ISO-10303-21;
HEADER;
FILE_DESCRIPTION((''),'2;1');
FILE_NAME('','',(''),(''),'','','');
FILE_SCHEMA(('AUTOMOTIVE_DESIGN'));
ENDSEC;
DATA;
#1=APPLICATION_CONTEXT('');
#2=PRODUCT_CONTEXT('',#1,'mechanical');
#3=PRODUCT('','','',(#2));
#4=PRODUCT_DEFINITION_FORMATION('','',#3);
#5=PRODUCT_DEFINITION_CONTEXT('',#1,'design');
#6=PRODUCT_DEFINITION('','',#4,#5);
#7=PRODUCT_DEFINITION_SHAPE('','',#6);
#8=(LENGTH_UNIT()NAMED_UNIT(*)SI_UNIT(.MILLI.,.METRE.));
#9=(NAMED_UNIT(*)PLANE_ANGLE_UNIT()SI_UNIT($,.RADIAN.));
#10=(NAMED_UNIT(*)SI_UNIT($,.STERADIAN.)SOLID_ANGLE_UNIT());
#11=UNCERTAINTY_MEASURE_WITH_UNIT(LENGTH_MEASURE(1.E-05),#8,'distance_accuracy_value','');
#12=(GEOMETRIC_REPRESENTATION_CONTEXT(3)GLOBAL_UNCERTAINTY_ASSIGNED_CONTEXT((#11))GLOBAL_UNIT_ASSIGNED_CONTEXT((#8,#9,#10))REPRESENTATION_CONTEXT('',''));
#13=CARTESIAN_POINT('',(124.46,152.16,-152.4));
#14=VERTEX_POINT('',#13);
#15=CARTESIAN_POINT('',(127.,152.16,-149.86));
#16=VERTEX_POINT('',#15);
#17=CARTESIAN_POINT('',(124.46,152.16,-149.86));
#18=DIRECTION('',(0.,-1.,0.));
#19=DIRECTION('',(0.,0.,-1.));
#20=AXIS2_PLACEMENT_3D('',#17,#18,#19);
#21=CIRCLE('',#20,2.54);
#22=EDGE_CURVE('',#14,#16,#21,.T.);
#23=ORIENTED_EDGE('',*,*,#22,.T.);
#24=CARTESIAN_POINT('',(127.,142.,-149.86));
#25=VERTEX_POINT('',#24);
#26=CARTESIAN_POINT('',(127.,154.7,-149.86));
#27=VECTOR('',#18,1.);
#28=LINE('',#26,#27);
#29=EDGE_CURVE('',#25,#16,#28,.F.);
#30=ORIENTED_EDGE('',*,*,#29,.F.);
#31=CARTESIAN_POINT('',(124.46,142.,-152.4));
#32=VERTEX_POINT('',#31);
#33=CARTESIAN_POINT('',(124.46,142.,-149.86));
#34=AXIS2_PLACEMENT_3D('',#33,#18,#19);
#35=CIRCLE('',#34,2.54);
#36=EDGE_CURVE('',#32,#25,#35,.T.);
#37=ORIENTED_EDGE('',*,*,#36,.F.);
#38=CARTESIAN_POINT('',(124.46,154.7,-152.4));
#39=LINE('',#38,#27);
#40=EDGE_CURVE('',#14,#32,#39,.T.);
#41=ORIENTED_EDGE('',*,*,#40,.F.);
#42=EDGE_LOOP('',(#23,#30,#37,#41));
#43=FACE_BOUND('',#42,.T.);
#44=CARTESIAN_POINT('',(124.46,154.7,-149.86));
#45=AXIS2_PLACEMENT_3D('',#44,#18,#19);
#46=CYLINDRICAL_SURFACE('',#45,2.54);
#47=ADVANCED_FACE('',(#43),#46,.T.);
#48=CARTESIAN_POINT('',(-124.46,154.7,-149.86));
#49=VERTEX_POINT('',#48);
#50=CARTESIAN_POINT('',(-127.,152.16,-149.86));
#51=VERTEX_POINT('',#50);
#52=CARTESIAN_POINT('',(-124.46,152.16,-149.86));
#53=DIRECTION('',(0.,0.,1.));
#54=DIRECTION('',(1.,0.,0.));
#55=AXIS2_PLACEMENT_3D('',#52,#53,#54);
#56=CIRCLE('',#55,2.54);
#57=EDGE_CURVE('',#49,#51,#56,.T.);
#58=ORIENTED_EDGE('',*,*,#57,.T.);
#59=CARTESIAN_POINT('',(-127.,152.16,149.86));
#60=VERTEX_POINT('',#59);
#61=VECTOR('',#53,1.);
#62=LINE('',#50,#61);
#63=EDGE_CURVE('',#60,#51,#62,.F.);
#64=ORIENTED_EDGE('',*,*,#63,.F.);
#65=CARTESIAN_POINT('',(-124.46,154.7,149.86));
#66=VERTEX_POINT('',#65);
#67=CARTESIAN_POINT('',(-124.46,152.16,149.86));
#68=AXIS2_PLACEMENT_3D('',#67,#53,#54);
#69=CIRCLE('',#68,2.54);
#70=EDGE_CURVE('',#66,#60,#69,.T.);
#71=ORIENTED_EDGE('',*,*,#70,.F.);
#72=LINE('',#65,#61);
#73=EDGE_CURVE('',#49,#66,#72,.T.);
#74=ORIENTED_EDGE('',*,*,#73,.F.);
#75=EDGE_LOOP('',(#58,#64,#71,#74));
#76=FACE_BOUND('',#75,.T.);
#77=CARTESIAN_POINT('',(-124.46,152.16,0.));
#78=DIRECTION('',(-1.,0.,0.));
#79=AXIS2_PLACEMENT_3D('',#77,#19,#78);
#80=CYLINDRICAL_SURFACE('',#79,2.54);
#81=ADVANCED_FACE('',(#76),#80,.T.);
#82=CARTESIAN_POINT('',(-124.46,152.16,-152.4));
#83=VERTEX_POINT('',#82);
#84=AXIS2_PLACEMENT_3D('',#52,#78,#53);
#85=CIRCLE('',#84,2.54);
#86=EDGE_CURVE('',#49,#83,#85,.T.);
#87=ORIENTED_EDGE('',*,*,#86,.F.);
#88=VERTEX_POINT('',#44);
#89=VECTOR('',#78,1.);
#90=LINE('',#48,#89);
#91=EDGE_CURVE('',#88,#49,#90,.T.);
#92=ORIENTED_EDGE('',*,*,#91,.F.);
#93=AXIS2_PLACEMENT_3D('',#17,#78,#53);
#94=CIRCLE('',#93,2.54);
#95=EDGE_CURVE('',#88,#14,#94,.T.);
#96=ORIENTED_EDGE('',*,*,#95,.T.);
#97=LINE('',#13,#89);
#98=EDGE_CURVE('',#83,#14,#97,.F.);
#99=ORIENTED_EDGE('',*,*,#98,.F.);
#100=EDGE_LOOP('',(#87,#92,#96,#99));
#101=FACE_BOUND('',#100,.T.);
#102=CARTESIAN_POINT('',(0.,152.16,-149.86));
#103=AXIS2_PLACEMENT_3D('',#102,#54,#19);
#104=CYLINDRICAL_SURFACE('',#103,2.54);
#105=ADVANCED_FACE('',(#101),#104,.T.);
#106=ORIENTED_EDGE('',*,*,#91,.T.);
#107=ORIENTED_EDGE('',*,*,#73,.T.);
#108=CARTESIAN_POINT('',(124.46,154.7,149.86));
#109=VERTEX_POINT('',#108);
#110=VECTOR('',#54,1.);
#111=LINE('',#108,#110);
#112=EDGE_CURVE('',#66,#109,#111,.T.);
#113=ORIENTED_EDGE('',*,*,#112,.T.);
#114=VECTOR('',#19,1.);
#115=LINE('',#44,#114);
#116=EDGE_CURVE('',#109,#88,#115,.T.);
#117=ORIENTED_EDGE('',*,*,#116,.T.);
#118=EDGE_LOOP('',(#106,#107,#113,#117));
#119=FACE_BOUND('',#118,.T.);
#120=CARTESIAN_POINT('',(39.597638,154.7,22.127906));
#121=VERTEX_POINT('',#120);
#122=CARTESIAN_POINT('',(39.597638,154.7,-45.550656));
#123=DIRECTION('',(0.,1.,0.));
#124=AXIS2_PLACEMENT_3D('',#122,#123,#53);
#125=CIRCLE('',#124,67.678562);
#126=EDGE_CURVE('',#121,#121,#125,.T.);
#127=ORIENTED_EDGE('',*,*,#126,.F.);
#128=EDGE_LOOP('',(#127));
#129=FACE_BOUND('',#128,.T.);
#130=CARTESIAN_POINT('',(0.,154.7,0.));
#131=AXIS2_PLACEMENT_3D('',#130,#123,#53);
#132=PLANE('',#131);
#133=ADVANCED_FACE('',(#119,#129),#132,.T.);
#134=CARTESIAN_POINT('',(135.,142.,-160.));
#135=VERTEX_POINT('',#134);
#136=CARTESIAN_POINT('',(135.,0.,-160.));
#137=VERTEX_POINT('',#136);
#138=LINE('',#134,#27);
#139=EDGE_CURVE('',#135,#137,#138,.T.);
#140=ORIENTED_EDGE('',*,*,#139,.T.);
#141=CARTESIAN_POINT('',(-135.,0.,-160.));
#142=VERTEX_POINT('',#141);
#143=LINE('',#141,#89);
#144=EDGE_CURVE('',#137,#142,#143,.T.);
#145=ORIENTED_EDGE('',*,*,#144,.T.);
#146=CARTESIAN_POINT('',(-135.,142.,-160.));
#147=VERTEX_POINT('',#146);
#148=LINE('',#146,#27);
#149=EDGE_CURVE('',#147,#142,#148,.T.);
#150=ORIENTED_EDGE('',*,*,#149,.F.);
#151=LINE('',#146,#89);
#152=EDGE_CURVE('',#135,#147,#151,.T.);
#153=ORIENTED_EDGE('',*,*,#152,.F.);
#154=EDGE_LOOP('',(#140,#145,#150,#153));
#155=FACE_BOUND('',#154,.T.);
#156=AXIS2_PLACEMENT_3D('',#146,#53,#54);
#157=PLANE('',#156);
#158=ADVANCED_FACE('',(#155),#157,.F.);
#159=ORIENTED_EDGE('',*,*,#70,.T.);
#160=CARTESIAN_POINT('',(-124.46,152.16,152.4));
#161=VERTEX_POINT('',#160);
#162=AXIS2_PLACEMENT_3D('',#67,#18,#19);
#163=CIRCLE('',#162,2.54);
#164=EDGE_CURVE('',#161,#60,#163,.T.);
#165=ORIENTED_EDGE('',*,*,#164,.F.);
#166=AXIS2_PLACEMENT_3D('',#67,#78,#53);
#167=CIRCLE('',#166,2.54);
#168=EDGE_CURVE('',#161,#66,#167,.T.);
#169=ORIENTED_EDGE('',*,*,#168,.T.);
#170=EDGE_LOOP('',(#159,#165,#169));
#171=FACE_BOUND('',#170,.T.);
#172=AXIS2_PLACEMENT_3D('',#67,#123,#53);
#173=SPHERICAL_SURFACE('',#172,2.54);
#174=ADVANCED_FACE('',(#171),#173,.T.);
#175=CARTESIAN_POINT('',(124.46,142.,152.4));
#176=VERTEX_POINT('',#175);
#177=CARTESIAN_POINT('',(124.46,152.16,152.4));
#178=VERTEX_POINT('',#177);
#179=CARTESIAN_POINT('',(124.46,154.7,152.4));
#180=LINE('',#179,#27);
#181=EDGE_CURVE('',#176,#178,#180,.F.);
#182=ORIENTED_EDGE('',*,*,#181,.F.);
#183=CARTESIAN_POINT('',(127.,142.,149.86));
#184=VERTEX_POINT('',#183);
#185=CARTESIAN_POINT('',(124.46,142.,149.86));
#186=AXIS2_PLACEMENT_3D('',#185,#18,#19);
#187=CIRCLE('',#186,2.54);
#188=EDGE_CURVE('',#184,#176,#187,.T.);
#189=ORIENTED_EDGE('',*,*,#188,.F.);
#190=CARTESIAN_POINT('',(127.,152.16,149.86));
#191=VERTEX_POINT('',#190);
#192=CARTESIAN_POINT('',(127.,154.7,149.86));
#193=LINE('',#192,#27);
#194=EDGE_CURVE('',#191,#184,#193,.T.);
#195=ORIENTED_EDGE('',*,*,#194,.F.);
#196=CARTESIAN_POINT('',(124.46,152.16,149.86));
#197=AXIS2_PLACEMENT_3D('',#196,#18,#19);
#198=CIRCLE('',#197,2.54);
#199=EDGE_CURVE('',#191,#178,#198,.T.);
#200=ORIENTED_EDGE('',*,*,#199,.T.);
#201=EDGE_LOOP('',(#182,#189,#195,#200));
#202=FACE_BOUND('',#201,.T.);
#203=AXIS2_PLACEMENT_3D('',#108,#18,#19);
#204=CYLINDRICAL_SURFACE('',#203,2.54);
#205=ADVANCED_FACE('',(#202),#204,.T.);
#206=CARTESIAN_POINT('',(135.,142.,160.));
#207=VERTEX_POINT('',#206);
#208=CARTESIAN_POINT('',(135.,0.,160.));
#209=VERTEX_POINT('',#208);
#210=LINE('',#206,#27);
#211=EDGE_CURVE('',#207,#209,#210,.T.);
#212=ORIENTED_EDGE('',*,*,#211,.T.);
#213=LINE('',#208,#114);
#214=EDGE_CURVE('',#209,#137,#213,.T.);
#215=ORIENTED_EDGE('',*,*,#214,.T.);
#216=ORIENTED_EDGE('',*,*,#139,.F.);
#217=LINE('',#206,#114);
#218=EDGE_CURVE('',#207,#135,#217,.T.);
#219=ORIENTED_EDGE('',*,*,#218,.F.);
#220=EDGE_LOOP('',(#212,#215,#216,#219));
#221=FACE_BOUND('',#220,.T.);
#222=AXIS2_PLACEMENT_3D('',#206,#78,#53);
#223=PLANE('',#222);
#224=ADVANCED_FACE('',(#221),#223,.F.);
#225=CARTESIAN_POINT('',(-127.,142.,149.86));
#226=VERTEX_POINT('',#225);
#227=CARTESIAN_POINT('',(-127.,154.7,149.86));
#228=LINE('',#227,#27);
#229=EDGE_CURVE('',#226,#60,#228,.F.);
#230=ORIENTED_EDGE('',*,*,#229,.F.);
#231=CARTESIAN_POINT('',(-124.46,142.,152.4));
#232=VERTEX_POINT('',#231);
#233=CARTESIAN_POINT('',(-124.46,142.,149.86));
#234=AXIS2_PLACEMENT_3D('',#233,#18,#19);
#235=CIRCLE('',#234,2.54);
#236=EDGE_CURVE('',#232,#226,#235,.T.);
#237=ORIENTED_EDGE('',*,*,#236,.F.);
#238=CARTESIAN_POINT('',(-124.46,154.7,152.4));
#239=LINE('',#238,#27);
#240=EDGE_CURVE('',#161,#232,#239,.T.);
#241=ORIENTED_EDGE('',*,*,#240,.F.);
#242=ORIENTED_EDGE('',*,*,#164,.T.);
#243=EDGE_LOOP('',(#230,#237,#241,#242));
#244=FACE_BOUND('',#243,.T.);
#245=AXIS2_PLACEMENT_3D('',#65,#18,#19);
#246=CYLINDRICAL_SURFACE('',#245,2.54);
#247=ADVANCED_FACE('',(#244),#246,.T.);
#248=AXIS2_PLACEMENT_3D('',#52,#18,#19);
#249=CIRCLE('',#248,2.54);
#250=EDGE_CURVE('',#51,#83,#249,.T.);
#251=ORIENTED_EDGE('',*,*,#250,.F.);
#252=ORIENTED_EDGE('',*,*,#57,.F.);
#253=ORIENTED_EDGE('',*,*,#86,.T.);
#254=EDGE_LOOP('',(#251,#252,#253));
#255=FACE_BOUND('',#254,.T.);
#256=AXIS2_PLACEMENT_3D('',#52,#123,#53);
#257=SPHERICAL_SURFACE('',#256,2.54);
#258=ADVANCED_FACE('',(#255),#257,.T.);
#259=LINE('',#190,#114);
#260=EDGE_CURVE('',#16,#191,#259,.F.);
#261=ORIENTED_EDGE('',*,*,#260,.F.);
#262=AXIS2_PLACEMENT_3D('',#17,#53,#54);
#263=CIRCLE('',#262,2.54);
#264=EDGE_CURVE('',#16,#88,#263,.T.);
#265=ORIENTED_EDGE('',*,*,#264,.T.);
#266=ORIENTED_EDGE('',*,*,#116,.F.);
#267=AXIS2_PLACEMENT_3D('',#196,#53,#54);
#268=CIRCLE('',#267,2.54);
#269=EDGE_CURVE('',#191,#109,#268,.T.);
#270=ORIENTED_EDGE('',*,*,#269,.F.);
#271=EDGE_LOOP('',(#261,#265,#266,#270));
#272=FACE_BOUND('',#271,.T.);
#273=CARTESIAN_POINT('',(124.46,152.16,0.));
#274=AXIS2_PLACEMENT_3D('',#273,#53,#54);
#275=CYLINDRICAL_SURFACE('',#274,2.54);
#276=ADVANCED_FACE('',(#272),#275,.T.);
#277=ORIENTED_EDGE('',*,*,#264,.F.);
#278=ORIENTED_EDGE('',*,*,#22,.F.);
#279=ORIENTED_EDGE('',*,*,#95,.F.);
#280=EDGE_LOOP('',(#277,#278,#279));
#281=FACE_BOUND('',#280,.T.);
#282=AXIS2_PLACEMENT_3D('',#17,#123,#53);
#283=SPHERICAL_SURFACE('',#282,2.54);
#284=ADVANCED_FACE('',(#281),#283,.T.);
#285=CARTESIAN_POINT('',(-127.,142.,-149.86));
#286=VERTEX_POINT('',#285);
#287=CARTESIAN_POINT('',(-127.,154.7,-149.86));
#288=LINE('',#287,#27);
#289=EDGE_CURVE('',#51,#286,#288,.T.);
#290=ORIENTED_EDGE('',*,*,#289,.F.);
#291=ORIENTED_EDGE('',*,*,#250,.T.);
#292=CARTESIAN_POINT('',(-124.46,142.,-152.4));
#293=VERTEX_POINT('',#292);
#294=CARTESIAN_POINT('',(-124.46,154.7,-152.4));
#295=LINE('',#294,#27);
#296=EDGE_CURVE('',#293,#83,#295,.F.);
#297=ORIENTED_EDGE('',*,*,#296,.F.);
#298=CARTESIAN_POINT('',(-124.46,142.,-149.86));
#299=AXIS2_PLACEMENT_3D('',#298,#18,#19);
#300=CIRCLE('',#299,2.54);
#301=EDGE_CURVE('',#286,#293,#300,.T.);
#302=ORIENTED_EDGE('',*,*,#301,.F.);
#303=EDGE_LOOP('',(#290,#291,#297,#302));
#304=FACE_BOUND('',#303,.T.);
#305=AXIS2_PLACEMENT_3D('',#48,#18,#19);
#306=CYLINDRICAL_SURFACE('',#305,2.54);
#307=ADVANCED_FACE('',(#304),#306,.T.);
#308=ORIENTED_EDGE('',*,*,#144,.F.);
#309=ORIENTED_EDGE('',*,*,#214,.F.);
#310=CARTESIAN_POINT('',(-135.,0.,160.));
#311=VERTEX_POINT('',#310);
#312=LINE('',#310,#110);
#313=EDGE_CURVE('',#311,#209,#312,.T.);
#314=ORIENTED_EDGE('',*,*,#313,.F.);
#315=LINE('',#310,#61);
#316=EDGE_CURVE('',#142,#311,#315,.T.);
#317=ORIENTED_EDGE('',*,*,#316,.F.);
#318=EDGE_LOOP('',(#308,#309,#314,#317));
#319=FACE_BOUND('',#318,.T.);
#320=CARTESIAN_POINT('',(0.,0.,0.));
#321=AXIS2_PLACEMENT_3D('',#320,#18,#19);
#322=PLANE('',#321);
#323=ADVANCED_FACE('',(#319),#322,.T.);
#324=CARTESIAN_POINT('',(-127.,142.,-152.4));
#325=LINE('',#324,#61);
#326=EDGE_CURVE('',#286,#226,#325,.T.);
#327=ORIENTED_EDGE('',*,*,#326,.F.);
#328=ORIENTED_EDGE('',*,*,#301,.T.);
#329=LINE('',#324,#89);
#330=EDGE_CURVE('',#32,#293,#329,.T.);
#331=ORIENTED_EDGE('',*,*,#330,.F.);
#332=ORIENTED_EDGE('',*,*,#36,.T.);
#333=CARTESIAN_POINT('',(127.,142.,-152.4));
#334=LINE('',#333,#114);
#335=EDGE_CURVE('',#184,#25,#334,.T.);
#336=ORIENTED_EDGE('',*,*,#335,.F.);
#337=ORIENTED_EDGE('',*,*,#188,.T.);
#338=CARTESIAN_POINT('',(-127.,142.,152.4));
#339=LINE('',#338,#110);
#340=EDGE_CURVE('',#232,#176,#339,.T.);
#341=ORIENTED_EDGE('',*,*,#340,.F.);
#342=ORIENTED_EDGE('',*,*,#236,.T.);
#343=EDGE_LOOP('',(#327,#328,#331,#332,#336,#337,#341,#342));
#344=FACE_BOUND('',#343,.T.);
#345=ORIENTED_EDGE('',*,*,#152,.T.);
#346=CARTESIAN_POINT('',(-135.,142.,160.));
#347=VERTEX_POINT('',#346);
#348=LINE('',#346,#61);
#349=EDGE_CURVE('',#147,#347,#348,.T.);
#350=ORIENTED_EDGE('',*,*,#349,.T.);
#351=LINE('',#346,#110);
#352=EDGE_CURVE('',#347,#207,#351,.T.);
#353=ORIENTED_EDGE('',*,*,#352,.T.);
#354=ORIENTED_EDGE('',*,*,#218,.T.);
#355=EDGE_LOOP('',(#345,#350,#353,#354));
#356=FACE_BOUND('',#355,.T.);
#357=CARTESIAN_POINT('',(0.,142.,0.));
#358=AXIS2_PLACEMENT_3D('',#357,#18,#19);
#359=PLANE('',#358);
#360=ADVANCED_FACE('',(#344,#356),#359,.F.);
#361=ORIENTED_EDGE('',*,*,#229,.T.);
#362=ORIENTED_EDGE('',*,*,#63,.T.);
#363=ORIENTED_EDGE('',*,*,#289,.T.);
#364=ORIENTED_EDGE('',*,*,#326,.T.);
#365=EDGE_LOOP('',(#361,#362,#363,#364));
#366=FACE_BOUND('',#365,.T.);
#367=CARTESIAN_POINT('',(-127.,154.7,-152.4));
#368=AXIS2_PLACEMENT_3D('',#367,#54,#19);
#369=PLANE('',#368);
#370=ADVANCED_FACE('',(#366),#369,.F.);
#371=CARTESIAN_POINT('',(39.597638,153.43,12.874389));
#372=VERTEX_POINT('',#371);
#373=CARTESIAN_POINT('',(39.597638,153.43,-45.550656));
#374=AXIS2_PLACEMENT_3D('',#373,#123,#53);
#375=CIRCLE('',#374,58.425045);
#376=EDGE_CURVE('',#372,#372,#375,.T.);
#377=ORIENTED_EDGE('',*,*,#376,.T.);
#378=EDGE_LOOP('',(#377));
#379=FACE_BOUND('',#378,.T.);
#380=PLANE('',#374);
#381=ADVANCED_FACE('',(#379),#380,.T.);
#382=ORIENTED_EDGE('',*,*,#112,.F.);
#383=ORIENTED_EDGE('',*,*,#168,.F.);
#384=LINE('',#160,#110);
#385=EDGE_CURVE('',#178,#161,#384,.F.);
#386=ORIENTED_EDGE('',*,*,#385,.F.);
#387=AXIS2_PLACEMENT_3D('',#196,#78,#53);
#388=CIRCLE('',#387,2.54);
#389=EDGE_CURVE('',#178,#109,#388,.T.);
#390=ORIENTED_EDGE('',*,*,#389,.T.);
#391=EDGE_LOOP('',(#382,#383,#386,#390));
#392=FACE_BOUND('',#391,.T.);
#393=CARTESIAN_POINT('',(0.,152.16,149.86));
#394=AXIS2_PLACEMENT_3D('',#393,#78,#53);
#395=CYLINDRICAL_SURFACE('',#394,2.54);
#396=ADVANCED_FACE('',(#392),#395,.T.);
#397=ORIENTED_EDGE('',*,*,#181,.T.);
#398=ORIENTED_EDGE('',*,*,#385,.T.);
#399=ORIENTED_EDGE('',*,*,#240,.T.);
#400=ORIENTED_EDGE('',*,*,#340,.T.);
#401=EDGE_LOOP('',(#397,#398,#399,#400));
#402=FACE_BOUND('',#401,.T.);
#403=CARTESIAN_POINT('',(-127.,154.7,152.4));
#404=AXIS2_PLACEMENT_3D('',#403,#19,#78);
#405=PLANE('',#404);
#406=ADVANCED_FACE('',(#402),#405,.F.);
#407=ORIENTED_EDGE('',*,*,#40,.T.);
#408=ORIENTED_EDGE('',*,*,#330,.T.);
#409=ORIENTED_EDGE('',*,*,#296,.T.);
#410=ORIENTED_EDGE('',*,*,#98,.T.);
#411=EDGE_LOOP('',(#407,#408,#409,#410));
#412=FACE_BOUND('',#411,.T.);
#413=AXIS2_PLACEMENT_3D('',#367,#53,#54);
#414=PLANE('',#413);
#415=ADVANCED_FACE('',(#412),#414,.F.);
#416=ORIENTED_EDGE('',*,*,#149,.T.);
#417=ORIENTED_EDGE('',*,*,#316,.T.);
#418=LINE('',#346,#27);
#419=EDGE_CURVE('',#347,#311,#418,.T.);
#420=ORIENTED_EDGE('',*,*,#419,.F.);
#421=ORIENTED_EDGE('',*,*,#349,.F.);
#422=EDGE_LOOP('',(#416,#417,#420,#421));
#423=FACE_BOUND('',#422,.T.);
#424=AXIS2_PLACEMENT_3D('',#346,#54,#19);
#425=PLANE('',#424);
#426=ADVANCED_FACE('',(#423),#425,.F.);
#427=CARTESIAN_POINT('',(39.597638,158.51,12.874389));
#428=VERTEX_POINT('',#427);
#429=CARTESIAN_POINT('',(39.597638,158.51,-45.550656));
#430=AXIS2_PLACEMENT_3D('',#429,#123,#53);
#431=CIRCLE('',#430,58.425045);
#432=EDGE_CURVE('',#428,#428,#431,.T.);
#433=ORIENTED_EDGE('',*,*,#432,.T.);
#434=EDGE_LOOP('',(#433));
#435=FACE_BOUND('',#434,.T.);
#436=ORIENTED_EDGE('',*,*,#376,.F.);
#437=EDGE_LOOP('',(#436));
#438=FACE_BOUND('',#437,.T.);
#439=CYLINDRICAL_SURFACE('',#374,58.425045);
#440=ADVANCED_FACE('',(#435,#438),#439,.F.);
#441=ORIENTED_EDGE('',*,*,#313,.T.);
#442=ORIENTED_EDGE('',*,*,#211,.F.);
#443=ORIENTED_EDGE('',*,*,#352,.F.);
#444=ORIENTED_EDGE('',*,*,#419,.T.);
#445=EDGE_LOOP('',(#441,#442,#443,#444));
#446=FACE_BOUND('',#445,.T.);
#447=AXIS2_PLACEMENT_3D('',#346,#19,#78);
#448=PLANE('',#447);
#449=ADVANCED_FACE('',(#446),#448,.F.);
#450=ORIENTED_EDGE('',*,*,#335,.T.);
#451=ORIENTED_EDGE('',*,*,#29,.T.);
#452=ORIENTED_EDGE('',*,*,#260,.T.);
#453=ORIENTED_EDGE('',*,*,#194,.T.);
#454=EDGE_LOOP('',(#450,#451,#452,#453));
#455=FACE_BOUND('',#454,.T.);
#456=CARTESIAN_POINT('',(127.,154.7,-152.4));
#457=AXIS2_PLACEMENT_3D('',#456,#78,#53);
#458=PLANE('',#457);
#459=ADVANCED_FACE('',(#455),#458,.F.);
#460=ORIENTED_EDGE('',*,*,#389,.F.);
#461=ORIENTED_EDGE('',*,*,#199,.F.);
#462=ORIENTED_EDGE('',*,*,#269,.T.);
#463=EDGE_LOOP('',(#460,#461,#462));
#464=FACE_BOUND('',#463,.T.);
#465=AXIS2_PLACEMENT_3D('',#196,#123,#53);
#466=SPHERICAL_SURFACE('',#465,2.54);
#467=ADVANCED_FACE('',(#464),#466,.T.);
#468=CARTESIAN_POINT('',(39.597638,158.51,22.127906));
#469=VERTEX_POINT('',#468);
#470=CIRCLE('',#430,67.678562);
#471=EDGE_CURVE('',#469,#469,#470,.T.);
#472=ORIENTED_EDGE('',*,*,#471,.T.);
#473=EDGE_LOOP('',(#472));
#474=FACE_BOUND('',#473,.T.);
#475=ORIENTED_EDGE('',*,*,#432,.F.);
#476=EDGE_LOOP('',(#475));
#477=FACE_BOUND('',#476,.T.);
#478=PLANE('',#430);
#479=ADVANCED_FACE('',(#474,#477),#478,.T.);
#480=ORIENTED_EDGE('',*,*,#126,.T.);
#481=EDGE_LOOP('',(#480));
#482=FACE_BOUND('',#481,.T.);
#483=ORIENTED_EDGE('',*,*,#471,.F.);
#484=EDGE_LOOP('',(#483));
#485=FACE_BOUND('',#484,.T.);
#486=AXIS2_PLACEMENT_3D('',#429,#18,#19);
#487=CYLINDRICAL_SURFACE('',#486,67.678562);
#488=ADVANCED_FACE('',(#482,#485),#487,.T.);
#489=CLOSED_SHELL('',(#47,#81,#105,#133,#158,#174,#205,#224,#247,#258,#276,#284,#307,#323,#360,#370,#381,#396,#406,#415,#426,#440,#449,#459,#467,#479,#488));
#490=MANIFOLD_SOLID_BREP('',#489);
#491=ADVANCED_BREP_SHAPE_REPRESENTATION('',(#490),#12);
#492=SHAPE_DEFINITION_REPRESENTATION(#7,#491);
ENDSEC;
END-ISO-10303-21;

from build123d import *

# Parameters (mm, degrees)
SKETCH1_W           = 270
SKETCH1_H           = 320
BOSS_EXTRUDE1_DEPTH = 142
SKETCH3_W           = 254
SKETCH3_H           = 304.8
BOSS_EXTRUDE3_DEPTH = 12.7
FILLET1_R           = 2.54
FILLET2_R           = 2.54
SKETCH7_R           = 67.678561976
BOSS_EXTRUDE4_DEPTH = 3.81
SKETCH8_R           = 58.425044715
CUT_EXTRUDE2_DEPTH  = 5.08


with BuildPart() as part:
    # Sketch1 → Boss-Extrude1 (new body)
    with BuildSketch(Plane(origin=(0, 0, 0), x_dir=(1, 0, 0), z_dir=(0, 1, 0))):
        Rectangle(SKETCH1_W, SKETCH1_H)
    extrude(amount=BOSS_EXTRUDE1_DEPTH)

    # Sketch3 → Boss-Extrude3 (add)
    with BuildSketch(Plane(origin=(0, 142, 0), x_dir=(1, 0, 0), z_dir=(0, 1, 0))):
        Rectangle(SKETCH3_W, SKETCH3_H)
    extrude(amount=BOSS_EXTRUDE3_DEPTH)

    # Fillet1
    fillet1_edges = [part.edges().sort_by_distance(p)[0] for p in [
        (127, 148.35, 152.4),
        (127, 148.35, -152.4),
        (-127, 148.35, -152.4),
        (-127, 148.35, 152.4),
    ]]
    fillet(fillet1_edges, radius=FILLET1_R)

    # Fillet2
    fillet2_edges = [part.edges().sort_by_distance(p)[0] for p in [
        (0, 154.7, -152.4),
        (127, 154.7, 0),
        (-127, 154.7, 0),
        (0, 154.7, 152.4),
        (126.256051224, 154.7, 151.656051224),
        (-126.256051224, 154.7, 151.656051224),
        (-126.256051224, 154.7, -151.656051224),
        (126.256051224, 154.7, -151.656051224),
    ]]
    fillet(fillet2_edges, radius=FILLET2_R)

    # Sketch7 → Boss-Extrude4 (add)
    with BuildSketch(Plane(origin=(0, 154.7, 0), x_dir=(1, 0, 0), z_dir=(0, 1, 0))):
        with Locations((39.597638404, 45.550655758)):
            Circle(SKETCH7_R)
    extrude(amount=BOSS_EXTRUDE4_DEPTH)

    # Sketch8 → Cut-Extrude2 (cut)
    with BuildSketch(Plane(origin=(0, 158.51, 0), x_dir=(1, 0, 0), z_dir=(0, 1, 0))):
        with Locations((39.597638404, 45.550655758)):
            Circle(SKETCH8_R)
    extrude(amount=-CUT_EXTRUDE2_DEPTH, mode=Mode.SUBTRACT)


solid = part.part
